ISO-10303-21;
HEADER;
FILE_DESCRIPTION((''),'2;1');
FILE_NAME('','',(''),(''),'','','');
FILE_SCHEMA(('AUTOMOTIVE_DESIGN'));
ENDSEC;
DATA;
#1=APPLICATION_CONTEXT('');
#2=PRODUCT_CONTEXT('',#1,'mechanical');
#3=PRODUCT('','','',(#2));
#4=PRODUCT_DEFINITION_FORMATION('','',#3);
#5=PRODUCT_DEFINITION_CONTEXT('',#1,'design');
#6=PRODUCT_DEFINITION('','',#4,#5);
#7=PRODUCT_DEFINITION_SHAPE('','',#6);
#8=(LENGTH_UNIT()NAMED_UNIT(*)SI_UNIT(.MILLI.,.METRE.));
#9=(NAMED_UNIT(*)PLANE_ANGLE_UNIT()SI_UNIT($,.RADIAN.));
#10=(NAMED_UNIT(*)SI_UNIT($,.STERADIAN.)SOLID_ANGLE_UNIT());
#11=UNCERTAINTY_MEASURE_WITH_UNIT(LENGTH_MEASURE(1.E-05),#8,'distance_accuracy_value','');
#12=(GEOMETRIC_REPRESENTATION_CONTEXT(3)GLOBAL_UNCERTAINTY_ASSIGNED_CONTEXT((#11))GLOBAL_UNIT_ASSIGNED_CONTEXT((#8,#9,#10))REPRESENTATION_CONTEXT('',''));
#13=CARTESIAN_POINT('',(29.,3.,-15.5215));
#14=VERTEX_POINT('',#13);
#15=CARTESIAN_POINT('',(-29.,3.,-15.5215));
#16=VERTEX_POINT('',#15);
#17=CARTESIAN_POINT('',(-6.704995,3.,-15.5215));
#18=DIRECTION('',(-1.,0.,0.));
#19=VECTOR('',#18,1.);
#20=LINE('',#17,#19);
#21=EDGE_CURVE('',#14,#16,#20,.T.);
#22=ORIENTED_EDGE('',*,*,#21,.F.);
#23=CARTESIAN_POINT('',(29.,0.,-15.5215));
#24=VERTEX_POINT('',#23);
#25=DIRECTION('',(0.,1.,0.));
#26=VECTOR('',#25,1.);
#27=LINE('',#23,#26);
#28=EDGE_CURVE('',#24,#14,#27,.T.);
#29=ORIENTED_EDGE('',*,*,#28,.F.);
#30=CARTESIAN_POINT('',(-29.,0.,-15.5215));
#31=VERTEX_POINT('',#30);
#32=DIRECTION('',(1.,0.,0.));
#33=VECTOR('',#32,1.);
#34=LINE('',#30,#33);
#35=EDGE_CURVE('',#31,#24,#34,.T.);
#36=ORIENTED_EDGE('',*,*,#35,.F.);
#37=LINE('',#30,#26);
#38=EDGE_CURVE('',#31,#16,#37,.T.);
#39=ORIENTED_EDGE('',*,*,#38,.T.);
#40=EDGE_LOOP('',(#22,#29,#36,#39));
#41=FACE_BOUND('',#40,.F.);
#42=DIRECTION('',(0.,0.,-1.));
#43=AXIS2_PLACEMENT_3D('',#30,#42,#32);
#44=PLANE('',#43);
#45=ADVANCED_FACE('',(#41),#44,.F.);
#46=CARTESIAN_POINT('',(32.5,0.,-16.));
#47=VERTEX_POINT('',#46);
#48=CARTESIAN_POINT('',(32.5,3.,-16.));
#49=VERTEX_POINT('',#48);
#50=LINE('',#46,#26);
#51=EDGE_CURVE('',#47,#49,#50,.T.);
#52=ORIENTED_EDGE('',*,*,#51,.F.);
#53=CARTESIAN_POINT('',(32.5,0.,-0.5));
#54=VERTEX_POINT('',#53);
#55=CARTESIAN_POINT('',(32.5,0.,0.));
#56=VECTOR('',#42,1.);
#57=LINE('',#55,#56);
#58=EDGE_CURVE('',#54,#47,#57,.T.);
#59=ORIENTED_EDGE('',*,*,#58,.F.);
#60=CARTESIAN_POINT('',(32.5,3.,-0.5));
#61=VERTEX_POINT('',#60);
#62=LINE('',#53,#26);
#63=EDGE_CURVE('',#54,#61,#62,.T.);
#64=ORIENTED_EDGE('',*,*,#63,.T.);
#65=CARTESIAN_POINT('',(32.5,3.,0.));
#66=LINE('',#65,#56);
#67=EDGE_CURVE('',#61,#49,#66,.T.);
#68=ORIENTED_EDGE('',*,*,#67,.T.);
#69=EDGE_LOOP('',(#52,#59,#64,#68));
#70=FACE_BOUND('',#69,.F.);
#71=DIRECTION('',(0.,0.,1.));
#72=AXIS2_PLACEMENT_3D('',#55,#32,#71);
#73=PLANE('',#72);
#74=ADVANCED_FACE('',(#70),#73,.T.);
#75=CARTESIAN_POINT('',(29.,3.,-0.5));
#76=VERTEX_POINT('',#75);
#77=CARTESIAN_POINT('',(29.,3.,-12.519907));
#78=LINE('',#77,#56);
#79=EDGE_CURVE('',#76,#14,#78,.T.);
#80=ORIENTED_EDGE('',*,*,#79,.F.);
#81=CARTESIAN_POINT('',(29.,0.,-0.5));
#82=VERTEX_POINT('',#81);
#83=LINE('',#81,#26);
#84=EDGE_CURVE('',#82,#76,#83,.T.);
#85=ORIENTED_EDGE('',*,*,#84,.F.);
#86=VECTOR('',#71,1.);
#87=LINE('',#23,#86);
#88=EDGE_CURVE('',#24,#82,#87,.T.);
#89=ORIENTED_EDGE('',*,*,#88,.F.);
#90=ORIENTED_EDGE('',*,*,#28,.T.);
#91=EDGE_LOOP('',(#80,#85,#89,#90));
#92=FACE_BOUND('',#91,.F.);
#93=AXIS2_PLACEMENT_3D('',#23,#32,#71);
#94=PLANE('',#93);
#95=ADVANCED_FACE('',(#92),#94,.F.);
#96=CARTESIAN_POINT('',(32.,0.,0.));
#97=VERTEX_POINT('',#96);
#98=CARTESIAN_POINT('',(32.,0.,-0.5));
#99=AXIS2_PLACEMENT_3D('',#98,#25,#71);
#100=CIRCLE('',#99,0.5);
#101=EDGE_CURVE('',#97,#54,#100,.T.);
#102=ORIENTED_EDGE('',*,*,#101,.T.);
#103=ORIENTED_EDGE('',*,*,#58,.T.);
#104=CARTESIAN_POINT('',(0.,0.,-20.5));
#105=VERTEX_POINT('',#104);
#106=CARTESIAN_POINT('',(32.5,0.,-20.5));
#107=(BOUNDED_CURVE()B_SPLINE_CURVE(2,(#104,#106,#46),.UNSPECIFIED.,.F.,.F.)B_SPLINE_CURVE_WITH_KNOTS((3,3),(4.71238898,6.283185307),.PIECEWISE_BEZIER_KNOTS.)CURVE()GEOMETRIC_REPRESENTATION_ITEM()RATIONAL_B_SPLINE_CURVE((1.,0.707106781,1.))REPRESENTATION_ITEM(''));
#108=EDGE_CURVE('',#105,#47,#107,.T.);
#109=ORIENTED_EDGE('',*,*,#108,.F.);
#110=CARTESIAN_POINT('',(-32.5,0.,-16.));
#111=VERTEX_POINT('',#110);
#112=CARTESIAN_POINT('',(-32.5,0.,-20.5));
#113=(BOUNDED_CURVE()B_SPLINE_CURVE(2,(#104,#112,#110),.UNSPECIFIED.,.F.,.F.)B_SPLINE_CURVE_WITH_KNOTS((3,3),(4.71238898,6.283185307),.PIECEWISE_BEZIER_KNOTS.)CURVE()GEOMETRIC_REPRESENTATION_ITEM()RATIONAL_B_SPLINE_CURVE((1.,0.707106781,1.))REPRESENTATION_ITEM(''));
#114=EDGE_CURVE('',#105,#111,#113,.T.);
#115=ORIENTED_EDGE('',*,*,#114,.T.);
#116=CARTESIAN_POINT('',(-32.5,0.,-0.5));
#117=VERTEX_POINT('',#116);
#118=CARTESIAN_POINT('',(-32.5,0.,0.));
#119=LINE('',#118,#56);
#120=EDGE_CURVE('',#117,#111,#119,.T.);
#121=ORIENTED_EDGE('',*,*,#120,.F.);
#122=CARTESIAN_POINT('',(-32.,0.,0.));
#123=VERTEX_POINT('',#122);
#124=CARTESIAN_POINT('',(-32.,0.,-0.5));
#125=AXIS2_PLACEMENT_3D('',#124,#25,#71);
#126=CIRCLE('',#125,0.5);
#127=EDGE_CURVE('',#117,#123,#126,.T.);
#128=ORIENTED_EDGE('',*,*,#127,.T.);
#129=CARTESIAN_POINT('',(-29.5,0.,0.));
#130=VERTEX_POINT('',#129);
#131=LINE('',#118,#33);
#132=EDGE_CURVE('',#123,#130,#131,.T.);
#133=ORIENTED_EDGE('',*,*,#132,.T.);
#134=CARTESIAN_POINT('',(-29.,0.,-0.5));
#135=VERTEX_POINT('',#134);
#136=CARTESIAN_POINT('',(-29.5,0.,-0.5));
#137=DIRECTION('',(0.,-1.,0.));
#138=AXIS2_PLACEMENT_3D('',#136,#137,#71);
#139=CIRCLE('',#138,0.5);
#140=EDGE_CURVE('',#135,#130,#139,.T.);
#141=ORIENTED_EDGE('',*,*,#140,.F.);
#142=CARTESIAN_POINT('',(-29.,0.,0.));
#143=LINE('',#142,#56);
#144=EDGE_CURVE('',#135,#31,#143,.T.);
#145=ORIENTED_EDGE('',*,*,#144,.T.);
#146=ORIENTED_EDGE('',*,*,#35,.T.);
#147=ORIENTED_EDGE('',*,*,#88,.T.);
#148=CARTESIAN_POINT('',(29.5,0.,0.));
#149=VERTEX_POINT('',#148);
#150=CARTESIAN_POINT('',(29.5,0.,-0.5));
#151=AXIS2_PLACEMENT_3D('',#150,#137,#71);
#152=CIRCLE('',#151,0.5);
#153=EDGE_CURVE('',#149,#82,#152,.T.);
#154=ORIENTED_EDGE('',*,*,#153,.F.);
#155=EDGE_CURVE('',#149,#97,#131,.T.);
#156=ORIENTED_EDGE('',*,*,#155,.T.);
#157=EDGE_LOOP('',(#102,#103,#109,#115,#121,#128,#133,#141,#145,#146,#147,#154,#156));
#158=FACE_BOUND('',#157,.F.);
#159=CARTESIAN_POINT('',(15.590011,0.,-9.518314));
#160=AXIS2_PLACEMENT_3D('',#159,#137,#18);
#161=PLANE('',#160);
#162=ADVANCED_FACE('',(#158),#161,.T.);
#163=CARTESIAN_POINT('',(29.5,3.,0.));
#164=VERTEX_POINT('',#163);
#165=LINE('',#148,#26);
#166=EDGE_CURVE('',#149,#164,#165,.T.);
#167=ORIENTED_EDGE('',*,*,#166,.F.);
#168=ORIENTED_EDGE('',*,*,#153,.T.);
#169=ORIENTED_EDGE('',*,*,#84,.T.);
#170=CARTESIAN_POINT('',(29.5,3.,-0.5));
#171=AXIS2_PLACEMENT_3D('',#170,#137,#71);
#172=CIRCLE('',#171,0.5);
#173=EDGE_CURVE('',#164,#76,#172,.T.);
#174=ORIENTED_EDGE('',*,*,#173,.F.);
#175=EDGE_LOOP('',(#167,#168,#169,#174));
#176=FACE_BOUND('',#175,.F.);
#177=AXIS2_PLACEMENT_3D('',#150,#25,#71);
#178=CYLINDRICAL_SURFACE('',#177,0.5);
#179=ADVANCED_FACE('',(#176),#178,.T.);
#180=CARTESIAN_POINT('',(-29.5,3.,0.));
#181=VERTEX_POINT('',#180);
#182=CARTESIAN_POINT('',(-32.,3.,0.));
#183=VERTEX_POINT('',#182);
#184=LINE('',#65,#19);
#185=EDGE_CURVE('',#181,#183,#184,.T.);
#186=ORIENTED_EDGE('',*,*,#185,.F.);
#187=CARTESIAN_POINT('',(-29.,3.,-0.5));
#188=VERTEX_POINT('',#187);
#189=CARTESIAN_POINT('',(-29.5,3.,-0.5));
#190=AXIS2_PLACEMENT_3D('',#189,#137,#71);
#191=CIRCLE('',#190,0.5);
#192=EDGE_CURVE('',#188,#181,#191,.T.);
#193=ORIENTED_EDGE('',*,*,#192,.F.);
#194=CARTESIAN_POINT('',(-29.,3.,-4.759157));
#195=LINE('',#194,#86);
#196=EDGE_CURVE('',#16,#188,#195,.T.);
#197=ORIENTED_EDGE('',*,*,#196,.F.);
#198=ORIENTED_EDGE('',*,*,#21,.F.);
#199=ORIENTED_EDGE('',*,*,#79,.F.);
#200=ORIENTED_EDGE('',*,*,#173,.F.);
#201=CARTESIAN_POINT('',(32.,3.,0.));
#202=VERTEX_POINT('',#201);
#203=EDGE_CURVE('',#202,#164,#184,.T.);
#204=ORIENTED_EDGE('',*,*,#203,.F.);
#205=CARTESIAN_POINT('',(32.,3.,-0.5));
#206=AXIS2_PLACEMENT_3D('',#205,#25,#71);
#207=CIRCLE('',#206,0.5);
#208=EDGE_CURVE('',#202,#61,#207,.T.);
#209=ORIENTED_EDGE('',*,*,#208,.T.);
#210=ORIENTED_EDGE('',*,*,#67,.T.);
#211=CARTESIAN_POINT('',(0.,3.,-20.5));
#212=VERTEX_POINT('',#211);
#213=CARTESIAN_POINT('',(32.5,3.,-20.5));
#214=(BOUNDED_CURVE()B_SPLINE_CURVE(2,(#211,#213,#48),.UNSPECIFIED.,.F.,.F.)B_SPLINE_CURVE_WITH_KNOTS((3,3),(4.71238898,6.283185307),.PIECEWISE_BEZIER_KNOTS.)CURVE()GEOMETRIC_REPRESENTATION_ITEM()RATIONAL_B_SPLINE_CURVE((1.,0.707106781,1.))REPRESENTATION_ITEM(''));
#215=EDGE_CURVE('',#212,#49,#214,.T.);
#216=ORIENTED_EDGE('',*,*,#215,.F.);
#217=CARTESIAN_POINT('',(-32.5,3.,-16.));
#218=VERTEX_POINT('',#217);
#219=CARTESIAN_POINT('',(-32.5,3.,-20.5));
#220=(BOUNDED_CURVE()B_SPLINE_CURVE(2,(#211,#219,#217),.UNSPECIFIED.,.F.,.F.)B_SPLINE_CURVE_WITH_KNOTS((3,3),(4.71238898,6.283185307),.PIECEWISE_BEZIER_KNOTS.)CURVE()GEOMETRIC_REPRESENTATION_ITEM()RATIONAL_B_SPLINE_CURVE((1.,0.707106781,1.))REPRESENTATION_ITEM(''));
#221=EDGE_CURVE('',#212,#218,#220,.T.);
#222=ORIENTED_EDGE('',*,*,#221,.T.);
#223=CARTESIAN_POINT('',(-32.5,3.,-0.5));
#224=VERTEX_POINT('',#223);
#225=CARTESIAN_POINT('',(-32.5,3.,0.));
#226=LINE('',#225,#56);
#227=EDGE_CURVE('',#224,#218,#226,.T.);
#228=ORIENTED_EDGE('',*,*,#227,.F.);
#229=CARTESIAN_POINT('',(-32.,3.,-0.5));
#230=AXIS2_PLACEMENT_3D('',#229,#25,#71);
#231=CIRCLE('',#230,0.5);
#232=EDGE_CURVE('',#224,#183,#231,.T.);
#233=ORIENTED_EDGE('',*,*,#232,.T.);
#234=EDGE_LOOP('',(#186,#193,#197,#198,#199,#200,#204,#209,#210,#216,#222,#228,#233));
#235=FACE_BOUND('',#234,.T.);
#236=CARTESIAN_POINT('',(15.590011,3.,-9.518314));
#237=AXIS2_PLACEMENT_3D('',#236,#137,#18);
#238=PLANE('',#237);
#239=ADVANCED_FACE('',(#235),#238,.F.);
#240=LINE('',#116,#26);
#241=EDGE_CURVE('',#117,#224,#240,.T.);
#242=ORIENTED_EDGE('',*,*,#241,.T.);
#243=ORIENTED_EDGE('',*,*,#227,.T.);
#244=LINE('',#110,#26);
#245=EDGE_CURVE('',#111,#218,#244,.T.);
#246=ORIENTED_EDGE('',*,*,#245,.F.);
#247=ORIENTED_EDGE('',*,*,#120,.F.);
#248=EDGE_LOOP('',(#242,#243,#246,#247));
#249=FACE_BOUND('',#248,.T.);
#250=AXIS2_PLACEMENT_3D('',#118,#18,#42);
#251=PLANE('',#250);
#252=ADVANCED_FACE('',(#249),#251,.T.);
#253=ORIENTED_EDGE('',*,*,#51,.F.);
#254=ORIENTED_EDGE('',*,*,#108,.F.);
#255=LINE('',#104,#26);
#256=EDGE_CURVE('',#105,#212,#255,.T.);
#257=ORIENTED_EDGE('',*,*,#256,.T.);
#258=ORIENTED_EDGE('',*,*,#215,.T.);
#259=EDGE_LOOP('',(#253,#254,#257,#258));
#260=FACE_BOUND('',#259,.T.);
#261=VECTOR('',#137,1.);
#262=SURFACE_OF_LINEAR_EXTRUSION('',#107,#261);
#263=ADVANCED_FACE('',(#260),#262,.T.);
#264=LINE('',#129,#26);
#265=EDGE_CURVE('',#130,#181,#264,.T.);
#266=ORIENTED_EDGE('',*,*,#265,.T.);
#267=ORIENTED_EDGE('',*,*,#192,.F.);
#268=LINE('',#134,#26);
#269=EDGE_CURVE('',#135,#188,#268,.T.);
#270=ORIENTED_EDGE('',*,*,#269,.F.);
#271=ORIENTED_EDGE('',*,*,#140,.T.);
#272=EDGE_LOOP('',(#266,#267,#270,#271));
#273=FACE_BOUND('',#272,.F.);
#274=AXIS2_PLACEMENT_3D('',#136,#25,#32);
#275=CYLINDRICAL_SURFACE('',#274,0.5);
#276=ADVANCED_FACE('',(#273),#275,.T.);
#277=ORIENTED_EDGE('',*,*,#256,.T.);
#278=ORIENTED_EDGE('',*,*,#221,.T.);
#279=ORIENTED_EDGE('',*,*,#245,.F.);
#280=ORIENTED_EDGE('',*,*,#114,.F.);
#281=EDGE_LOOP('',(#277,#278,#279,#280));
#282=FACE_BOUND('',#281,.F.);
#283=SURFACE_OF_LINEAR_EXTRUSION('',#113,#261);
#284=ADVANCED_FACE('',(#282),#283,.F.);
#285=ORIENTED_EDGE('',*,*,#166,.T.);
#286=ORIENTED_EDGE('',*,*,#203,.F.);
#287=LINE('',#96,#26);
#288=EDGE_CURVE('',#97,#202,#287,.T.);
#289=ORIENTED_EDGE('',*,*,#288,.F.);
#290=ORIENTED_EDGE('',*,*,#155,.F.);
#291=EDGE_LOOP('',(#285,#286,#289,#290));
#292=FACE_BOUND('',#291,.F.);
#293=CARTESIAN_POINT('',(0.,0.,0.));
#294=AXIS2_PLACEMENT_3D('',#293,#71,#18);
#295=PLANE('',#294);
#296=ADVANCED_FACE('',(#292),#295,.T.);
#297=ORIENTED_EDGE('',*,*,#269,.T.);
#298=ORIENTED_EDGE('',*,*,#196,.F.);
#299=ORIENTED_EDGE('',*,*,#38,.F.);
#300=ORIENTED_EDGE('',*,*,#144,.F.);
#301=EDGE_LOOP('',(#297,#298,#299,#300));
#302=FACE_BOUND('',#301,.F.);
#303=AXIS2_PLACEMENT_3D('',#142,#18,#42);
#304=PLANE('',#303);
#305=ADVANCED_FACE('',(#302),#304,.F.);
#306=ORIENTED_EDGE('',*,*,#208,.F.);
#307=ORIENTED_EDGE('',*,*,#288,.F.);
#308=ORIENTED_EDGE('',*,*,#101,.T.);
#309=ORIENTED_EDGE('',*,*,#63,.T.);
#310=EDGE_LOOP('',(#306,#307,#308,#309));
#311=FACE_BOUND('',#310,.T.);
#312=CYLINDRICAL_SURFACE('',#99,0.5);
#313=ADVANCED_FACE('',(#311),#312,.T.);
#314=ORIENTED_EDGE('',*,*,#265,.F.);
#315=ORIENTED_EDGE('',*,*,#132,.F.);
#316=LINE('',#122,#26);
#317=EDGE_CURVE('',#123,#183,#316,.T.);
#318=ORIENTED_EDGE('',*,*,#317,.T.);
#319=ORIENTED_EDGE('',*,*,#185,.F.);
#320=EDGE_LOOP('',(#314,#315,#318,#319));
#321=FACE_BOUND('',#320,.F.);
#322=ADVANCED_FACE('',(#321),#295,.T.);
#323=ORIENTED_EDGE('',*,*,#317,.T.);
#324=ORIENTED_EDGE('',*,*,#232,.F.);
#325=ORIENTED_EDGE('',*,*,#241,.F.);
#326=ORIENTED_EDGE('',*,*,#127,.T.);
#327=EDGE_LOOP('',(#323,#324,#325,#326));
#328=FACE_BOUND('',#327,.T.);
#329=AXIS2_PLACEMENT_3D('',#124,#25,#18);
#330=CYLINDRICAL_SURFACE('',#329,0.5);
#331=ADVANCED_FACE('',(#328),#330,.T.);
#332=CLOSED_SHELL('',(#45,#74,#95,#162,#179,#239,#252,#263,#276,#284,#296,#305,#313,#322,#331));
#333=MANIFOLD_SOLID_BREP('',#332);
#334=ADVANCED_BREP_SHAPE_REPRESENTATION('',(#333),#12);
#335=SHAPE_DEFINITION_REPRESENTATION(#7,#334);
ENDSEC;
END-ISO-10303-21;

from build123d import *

# Parameters (mm, degrees)
BOSS_EXTRUDE1_DEPTH = 3
CUT_EXTRUDE1_DEPTH  = 4.0000001
SKETCH3_R           = 1.0922
CUT_EXTRUDE2_DEPTH  = 4.0000001
FILLET1_R           = 5
FILLET2_R           = 0.5
CUT_EXTRUDE3_DEPTH  = 4.0000001
FILLET3_R           = 0.5


with BuildPart() as part:
    # Sketch1 → Boss-Extrude1 (new body)
    with BuildSketch(Plane(origin=(0, 0, 0), x_dir=(1, 0, 0), z_dir=(0, 1, 0))):
        with BuildLine():
            Line((0, 0), (-32.5, 0))
            Line((-32.5, 0), (-32.5, 16))
            add(Edge.make_bspline(
                [(0, 20.5), (-32.5, 20.5), (-32.5, 16)],
                knots=[4.71238898, 4.71238898, 4.71238898, 6.283185307, 6.283185307, 6.283185307], degree=2, weights=[1, 0.707106781, 1]))
            Line((0, 20.5), (0, 16))
            Line((0, 16), (0, 0))
        make_face()
    boss_extrude1 = extrude(amount=BOSS_EXTRUDE1_DEPTH)

    # Mirror1: Boss-Extrude1 across plane
    add(boss_extrude1.mirror(Plane(origin=(0, 3, -16), x_dir=(0, 0, 1), z_dir=(-1, 0, 0))))

    # Sketch2 → Cut-Extrude1 (cut, through all)
    with BuildSketch(Plane(origin=(0, 3, 0), x_dir=(1, 0, 0), z_dir=(0, 1, 0))):
        with BuildLine():
            Line((0, 10.25), (0, 12.5))
            add(Edge.make_bspline(
                [(0, 12.5), (-20.26, 12.5), (-20.26, 10.25)],
                knots=[4.71238898, 4.71238898, 4.71238898, 6.283185307, 6.283185307, 6.283185307], degree=2, weights=[1, 0.707106781, 1]))
            Line((-20.26, 10.25), (-20.26, 0))
            Line((-20.26, 0), (0, 0))
            Line((0, 0), (0, 10.25))
        make_face()
        with BuildLine():
            Line((20.26, 0), (20.26, 10.25))
            add(Edge.make_bspline(
                [(20.26, 10.25), (20.26, 12.5), (0, 12.5)],
                knots=[3.141592654, 3.141592654, 3.141592654, 4.71238898, 4.71238898, 4.71238898], degree=2, weights=[1, 0.707106781, 1]))
            Line((0, 12.5), (0, 10.25))
            Line((0, 10.25), (0, 0))
            Line((0, 0), (20.26, 0))
        make_face()
    extrude(amount=-CUT_EXTRUDE1_DEPTH, mode=Mode.SUBTRACT)

    # Sketch3 → Cut-Extrude2 (cut, through all)
    with BuildSketch(Plane.XZ):
        with Locations((25.46, -4.3615)):
            Circle(SKETCH3_R)
        with Locations((-25.34, -4.3615)):
            Circle(SKETCH3_R)
    extrude(amount=-CUT_EXTRUDE2_DEPTH, mode=Mode.SUBTRACT)

    # Fillet1
    fillet1_edges = [part.edges().sort_by_distance(p)[0] for p in [
        (20.26, 1.5, 0),
        (-20.26, 1.5, 0),
    ]]
    fillet(fillet1_edges, radius=FILLET1_R)

    # Fillet2
    fillet2_edges = [part.edges().sort_by_distance(p)[0] for p in [
        (32.5, 1.5, 0),
        (-32.5, 1.5, 0),
    ]]
    fillet(fillet2_edges, radius=FILLET2_R)

    # Sketch4 → Cut-Extrude3 (cut, through all)
    with BuildSketch(Plane.XZ):
        Polygon((29, -1.8215), (29, 0), (-29, 0), (-29, -1.8215), (-29, -15.5215), (29, -15.5215), align=None)
    extrude(amount=-CUT_EXTRUDE3_DEPTH, mode=Mode.SUBTRACT)

    # Fillet3
    fillet3_edges = [part.edges().sort_by_distance(p)[0] for p in [
        (-29, 1.5, 0),
        (29, 1.5, 0),
    ]]
    fillet(fillet3_edges, radius=FILLET3_R)


solid = part.part
